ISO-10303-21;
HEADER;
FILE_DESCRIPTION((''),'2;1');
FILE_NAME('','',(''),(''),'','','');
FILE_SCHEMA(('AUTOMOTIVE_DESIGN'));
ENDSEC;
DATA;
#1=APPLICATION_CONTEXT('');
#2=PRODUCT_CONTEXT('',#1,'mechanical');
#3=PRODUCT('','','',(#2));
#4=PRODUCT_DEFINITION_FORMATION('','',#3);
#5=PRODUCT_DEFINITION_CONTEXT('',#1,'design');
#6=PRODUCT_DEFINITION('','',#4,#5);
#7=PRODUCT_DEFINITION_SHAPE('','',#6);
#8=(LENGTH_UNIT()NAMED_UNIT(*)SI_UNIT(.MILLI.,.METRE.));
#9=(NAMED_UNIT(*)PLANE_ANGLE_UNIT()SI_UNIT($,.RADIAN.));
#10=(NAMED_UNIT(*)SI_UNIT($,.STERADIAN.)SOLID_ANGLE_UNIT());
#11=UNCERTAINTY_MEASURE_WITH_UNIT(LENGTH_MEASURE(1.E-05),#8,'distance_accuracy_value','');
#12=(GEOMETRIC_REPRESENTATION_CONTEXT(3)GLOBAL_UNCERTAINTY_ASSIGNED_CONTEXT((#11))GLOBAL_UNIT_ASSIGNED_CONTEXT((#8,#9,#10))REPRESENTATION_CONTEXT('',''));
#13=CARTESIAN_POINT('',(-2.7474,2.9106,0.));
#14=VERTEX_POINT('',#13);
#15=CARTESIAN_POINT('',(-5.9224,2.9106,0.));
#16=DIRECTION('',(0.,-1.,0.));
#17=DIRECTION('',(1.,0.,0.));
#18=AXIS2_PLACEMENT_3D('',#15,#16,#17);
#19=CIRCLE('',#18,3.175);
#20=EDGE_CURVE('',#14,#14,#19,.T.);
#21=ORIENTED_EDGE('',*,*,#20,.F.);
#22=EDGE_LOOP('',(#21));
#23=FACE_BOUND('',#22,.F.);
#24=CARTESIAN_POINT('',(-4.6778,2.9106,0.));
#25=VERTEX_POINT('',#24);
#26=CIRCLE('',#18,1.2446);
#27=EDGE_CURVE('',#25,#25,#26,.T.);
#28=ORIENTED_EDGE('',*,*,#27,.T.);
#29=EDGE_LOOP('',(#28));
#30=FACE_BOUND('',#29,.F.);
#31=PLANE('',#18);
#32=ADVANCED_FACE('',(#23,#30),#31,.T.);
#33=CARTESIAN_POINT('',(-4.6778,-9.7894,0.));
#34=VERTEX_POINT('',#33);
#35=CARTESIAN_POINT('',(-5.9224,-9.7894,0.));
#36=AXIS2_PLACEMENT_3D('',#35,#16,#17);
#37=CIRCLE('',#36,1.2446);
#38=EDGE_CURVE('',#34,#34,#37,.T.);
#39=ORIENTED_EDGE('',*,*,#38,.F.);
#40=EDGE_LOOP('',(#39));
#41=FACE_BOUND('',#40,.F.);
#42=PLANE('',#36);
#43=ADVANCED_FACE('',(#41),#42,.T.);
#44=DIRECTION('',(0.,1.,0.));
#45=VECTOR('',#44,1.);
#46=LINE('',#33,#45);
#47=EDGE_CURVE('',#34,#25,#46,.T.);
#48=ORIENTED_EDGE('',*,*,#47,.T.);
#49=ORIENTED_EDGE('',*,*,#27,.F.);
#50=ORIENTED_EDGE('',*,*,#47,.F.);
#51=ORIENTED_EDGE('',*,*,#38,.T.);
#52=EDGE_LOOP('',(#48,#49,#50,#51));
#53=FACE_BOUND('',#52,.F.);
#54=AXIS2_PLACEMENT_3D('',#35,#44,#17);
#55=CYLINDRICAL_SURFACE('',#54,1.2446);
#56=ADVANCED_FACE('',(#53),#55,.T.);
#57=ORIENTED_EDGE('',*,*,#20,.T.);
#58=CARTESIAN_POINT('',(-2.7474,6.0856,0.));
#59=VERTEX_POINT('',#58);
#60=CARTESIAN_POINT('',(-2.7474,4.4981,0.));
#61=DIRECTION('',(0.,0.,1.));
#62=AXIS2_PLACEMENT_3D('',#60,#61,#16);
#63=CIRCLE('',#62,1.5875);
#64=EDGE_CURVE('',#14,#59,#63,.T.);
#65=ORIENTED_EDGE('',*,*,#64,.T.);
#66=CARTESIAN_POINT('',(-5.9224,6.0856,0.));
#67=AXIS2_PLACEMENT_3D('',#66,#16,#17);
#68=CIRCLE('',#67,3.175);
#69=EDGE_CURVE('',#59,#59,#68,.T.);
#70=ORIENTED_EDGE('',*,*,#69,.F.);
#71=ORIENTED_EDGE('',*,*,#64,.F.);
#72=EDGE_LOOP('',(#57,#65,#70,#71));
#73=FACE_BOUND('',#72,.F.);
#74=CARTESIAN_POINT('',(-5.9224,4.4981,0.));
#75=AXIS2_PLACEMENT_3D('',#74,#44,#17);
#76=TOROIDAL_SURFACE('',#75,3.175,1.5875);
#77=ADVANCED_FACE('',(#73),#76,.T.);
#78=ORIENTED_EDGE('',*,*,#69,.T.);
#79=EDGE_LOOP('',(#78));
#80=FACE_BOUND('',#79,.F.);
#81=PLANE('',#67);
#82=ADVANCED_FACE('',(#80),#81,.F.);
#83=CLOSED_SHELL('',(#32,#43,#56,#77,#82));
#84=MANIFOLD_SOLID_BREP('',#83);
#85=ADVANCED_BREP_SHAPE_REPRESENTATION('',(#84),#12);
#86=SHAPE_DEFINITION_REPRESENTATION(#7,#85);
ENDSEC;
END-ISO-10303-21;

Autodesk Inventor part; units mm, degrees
ref_plane "YZ Plane" through (0, 0, 0) normal (1, 0, 0) x (0, 1, 0)
ref_plane "XZ Plane" through (0, 0, 0) normal (0, 1, 0) x (-1, 0, 0)
ref_plane "XY Plane" through (0, 0, 0) normal (0, 0, 1) x (1, 0, 0)
sketch "Sketch1" plane through (0, 0, 0) normal (0, 0, 1) x (1, 0, 0)
  line L0 (-5.9224, 6.0856) -> (-5.9224, -9.7894)
  line L1 (-5.9224, -9.7894) -> (-4.6778, -9.7894)
  line L2 (-4.6778, -9.7894) -> (-4.6778, 2.9106)
  line L3 (-4.6778, 2.9106) -> (-2.7474, 2.9106)
  arc A0 (-2.7474, 2.9106) -> (-2.7474, 6.0856) centre (-2.7474, 4.4981) ccw
  line L4 (-2.7474, 6.0856) -> (-5.9224, 6.0856)
  dimension "d0" = 12.7
  dimension "d1" = 1.5875
  dimension "d2" = 1.2446
  dimension "d3" = 3.175
revolve "Revolution1" add sketch "Sketch1" angle 360 about axis through (-5.9224, 6.0856, 0) along (0, -1, 0)
properties part number "screw"
